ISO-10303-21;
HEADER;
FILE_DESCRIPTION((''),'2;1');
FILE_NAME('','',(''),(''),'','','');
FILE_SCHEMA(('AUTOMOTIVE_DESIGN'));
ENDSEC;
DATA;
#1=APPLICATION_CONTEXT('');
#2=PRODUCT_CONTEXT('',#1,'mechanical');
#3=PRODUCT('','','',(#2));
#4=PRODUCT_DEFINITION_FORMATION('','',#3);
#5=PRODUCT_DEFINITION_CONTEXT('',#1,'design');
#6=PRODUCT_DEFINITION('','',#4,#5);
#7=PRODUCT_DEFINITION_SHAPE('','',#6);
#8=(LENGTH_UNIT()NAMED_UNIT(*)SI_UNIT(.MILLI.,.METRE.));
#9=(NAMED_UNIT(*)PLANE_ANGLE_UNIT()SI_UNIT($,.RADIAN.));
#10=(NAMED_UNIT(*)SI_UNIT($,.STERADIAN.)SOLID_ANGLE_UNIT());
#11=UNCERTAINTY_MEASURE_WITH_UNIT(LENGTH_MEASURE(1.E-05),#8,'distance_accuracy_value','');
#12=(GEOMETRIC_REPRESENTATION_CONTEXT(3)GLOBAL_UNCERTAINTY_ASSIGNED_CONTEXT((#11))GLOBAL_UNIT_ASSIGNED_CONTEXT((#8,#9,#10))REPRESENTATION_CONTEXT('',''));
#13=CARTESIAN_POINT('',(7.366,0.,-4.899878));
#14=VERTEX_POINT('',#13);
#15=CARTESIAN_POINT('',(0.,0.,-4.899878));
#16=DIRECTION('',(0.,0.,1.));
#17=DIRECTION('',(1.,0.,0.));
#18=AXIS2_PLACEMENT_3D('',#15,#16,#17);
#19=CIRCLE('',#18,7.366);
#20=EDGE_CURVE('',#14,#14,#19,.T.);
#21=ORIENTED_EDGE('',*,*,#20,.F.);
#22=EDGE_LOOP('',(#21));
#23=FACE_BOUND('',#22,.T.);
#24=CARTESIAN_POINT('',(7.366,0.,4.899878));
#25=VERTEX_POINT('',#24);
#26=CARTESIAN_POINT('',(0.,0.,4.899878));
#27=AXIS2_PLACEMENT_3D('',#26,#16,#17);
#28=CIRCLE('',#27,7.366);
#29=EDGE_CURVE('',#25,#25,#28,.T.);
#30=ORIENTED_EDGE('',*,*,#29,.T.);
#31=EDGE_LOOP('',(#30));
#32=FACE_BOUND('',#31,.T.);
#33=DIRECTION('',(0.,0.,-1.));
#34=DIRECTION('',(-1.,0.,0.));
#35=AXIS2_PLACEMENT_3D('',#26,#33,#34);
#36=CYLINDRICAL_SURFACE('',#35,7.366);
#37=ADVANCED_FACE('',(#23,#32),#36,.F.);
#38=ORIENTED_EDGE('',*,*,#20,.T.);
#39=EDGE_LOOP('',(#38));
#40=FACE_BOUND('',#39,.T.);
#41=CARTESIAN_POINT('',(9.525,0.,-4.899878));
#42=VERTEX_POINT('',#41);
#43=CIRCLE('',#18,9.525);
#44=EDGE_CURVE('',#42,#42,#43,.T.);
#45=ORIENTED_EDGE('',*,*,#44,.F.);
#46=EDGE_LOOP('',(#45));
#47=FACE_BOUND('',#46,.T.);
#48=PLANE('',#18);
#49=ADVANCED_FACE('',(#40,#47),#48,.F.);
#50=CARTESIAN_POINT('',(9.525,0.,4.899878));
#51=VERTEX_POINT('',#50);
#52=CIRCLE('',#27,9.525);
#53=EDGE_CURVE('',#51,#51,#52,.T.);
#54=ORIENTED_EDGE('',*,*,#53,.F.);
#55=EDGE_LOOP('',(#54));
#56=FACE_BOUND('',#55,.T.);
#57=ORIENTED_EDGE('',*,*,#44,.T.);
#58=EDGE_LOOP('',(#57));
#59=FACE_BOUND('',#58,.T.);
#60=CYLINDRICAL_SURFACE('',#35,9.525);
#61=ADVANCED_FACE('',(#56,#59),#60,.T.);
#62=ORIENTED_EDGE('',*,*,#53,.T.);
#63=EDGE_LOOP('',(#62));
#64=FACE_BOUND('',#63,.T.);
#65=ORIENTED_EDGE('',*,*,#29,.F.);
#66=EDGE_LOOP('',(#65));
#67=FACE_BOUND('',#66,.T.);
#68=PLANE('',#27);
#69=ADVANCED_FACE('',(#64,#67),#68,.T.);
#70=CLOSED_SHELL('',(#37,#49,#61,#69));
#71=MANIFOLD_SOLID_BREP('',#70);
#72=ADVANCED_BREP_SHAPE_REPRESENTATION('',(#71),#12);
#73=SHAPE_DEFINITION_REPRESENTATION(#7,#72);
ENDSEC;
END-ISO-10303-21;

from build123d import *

# Parameters (mm, degrees)
SKETCH1_R           = 9.525
SKETCH1_R_2         = 7.366
BOSS_EXTRUDE1_DEPTH = 4.89987844


with BuildPart() as part:
    # Sketch1 → Boss-Extrude1 (new, symmetric)
    with BuildSketch(Plane.XY):
        Circle(SKETCH1_R)
        Circle(SKETCH1_R_2, mode=Mode.SUBTRACT)
    extrude(amount=BOSS_EXTRUDE1_DEPTH, both=True)


solid = part.part
